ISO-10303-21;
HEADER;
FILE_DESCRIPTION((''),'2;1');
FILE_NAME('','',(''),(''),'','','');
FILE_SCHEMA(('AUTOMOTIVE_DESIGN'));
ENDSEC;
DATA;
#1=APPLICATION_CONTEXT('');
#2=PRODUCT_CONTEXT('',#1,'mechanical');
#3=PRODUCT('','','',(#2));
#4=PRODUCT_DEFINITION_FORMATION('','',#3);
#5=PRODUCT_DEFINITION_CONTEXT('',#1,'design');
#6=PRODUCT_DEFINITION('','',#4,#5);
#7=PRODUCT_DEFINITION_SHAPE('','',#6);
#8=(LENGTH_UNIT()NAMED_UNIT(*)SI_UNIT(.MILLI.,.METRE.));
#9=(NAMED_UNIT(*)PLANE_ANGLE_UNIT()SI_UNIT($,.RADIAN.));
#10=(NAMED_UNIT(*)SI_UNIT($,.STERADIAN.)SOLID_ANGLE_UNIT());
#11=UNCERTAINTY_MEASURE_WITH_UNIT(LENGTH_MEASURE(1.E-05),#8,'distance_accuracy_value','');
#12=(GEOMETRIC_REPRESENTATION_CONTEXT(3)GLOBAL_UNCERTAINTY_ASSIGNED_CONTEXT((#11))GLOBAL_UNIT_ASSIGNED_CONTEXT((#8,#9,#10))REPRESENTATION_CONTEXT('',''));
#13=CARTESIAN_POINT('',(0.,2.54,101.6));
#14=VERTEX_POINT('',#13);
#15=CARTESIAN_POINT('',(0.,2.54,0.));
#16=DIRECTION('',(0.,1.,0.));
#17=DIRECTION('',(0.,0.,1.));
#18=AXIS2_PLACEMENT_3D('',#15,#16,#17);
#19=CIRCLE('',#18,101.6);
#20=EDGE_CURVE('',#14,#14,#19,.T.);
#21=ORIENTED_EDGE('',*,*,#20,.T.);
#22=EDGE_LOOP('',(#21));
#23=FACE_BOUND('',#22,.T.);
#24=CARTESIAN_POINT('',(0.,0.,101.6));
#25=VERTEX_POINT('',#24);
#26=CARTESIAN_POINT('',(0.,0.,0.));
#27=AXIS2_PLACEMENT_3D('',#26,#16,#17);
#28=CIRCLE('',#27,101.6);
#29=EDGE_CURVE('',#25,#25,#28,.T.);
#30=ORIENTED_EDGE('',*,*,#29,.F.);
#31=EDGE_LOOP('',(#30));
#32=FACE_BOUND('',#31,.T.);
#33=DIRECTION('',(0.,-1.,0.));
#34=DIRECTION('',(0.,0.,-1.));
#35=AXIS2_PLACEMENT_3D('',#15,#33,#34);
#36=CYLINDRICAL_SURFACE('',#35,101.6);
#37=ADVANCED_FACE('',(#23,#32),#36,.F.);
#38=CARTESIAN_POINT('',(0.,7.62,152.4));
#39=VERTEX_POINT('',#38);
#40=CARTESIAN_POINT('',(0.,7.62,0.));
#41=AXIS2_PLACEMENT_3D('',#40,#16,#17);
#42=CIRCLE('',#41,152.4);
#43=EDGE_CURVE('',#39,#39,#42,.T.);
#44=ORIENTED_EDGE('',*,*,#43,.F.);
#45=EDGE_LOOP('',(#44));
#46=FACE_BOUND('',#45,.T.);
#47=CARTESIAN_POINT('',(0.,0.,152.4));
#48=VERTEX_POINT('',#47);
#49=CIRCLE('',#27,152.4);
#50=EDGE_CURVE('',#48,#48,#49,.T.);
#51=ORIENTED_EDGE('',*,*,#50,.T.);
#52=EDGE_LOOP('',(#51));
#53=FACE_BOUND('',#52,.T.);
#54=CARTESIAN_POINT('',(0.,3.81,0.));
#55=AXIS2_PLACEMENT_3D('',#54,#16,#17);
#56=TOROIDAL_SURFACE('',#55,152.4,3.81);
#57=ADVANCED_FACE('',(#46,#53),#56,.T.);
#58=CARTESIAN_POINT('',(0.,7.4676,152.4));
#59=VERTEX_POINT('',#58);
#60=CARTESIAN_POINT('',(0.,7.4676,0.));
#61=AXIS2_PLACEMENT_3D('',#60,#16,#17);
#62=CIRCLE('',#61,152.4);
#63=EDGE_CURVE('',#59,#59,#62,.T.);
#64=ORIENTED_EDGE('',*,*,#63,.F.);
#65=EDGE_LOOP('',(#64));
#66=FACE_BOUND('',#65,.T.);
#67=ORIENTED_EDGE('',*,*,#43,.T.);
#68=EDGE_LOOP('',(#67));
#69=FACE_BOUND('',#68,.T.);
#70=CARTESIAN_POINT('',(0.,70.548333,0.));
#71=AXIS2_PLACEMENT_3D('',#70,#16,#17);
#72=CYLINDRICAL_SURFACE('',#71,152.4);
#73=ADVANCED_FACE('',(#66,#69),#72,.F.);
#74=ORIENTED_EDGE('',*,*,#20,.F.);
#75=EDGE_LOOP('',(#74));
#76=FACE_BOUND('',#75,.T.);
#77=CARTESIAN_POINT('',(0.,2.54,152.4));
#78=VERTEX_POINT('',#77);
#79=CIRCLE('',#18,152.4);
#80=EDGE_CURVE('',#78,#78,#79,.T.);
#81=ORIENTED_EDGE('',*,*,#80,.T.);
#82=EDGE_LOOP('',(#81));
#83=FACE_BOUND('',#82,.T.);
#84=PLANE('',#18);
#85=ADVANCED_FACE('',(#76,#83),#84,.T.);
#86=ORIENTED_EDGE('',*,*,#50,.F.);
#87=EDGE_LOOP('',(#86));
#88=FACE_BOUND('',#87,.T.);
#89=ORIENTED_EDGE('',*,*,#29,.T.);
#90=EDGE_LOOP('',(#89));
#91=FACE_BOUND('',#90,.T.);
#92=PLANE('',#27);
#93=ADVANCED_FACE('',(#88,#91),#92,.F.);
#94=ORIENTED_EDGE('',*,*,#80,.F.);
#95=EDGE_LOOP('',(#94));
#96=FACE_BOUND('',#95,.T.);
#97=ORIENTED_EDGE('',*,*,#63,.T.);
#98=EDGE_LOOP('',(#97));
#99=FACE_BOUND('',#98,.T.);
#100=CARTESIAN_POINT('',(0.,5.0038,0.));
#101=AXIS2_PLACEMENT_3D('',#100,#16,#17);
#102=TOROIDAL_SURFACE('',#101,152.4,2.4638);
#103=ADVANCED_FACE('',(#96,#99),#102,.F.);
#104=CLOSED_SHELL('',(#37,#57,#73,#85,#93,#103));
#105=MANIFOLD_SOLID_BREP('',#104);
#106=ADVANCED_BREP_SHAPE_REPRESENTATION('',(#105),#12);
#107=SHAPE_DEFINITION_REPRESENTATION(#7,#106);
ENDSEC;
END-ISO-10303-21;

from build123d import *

# Parameters (mm, degrees)
SKETCH1_R           = 152.4
SKETCH1_R_2         = 101.6
BOSS_EXTRUDE1_DEPTH = 2.54


with BuildPart() as part:
    # Sketch1 → Boss-Extrude1 (new body)
    with BuildSketch(Plane(origin=(0, 0, 0), x_dir=(1, 0, 0), z_dir=(0, 1, 0))):
        with Locations(Location((0, 0, 0), (0, 0, 270))):
            Circle(SKETCH1_R)
        with Locations(Location((0, 0, 0), (0, 0, 270))):
            Circle(SKETCH1_R_2, mode=Mode.SUBTRACT)
    extrude(amount=BOSS_EXTRUDE1_DEPTH)

    # Sketch3 → Revolve1 (revolve)
    with BuildSketch(Plane(origin=(0, 0, 0), x_dir=(0, 0, -1), z_dir=(1, 0, 0))):
        with BuildLine():
            Line((-152.4, 7.62), (-152.4, 7.4676))
            ThreePointArc((-152.4, 7.4676), (-154.8638, 5.0038), (-152.4, 2.54))
            Line((-152.4, 2.54), (-152.4, 0))
            ThreePointArc((-152.4, 0), (-156.21, 3.81), (-152.4, 7.62))
        make_face()
    revolve(axis=Axis((0, 70.54833347, 0), (0, -1, 0)))


solid = part.part
